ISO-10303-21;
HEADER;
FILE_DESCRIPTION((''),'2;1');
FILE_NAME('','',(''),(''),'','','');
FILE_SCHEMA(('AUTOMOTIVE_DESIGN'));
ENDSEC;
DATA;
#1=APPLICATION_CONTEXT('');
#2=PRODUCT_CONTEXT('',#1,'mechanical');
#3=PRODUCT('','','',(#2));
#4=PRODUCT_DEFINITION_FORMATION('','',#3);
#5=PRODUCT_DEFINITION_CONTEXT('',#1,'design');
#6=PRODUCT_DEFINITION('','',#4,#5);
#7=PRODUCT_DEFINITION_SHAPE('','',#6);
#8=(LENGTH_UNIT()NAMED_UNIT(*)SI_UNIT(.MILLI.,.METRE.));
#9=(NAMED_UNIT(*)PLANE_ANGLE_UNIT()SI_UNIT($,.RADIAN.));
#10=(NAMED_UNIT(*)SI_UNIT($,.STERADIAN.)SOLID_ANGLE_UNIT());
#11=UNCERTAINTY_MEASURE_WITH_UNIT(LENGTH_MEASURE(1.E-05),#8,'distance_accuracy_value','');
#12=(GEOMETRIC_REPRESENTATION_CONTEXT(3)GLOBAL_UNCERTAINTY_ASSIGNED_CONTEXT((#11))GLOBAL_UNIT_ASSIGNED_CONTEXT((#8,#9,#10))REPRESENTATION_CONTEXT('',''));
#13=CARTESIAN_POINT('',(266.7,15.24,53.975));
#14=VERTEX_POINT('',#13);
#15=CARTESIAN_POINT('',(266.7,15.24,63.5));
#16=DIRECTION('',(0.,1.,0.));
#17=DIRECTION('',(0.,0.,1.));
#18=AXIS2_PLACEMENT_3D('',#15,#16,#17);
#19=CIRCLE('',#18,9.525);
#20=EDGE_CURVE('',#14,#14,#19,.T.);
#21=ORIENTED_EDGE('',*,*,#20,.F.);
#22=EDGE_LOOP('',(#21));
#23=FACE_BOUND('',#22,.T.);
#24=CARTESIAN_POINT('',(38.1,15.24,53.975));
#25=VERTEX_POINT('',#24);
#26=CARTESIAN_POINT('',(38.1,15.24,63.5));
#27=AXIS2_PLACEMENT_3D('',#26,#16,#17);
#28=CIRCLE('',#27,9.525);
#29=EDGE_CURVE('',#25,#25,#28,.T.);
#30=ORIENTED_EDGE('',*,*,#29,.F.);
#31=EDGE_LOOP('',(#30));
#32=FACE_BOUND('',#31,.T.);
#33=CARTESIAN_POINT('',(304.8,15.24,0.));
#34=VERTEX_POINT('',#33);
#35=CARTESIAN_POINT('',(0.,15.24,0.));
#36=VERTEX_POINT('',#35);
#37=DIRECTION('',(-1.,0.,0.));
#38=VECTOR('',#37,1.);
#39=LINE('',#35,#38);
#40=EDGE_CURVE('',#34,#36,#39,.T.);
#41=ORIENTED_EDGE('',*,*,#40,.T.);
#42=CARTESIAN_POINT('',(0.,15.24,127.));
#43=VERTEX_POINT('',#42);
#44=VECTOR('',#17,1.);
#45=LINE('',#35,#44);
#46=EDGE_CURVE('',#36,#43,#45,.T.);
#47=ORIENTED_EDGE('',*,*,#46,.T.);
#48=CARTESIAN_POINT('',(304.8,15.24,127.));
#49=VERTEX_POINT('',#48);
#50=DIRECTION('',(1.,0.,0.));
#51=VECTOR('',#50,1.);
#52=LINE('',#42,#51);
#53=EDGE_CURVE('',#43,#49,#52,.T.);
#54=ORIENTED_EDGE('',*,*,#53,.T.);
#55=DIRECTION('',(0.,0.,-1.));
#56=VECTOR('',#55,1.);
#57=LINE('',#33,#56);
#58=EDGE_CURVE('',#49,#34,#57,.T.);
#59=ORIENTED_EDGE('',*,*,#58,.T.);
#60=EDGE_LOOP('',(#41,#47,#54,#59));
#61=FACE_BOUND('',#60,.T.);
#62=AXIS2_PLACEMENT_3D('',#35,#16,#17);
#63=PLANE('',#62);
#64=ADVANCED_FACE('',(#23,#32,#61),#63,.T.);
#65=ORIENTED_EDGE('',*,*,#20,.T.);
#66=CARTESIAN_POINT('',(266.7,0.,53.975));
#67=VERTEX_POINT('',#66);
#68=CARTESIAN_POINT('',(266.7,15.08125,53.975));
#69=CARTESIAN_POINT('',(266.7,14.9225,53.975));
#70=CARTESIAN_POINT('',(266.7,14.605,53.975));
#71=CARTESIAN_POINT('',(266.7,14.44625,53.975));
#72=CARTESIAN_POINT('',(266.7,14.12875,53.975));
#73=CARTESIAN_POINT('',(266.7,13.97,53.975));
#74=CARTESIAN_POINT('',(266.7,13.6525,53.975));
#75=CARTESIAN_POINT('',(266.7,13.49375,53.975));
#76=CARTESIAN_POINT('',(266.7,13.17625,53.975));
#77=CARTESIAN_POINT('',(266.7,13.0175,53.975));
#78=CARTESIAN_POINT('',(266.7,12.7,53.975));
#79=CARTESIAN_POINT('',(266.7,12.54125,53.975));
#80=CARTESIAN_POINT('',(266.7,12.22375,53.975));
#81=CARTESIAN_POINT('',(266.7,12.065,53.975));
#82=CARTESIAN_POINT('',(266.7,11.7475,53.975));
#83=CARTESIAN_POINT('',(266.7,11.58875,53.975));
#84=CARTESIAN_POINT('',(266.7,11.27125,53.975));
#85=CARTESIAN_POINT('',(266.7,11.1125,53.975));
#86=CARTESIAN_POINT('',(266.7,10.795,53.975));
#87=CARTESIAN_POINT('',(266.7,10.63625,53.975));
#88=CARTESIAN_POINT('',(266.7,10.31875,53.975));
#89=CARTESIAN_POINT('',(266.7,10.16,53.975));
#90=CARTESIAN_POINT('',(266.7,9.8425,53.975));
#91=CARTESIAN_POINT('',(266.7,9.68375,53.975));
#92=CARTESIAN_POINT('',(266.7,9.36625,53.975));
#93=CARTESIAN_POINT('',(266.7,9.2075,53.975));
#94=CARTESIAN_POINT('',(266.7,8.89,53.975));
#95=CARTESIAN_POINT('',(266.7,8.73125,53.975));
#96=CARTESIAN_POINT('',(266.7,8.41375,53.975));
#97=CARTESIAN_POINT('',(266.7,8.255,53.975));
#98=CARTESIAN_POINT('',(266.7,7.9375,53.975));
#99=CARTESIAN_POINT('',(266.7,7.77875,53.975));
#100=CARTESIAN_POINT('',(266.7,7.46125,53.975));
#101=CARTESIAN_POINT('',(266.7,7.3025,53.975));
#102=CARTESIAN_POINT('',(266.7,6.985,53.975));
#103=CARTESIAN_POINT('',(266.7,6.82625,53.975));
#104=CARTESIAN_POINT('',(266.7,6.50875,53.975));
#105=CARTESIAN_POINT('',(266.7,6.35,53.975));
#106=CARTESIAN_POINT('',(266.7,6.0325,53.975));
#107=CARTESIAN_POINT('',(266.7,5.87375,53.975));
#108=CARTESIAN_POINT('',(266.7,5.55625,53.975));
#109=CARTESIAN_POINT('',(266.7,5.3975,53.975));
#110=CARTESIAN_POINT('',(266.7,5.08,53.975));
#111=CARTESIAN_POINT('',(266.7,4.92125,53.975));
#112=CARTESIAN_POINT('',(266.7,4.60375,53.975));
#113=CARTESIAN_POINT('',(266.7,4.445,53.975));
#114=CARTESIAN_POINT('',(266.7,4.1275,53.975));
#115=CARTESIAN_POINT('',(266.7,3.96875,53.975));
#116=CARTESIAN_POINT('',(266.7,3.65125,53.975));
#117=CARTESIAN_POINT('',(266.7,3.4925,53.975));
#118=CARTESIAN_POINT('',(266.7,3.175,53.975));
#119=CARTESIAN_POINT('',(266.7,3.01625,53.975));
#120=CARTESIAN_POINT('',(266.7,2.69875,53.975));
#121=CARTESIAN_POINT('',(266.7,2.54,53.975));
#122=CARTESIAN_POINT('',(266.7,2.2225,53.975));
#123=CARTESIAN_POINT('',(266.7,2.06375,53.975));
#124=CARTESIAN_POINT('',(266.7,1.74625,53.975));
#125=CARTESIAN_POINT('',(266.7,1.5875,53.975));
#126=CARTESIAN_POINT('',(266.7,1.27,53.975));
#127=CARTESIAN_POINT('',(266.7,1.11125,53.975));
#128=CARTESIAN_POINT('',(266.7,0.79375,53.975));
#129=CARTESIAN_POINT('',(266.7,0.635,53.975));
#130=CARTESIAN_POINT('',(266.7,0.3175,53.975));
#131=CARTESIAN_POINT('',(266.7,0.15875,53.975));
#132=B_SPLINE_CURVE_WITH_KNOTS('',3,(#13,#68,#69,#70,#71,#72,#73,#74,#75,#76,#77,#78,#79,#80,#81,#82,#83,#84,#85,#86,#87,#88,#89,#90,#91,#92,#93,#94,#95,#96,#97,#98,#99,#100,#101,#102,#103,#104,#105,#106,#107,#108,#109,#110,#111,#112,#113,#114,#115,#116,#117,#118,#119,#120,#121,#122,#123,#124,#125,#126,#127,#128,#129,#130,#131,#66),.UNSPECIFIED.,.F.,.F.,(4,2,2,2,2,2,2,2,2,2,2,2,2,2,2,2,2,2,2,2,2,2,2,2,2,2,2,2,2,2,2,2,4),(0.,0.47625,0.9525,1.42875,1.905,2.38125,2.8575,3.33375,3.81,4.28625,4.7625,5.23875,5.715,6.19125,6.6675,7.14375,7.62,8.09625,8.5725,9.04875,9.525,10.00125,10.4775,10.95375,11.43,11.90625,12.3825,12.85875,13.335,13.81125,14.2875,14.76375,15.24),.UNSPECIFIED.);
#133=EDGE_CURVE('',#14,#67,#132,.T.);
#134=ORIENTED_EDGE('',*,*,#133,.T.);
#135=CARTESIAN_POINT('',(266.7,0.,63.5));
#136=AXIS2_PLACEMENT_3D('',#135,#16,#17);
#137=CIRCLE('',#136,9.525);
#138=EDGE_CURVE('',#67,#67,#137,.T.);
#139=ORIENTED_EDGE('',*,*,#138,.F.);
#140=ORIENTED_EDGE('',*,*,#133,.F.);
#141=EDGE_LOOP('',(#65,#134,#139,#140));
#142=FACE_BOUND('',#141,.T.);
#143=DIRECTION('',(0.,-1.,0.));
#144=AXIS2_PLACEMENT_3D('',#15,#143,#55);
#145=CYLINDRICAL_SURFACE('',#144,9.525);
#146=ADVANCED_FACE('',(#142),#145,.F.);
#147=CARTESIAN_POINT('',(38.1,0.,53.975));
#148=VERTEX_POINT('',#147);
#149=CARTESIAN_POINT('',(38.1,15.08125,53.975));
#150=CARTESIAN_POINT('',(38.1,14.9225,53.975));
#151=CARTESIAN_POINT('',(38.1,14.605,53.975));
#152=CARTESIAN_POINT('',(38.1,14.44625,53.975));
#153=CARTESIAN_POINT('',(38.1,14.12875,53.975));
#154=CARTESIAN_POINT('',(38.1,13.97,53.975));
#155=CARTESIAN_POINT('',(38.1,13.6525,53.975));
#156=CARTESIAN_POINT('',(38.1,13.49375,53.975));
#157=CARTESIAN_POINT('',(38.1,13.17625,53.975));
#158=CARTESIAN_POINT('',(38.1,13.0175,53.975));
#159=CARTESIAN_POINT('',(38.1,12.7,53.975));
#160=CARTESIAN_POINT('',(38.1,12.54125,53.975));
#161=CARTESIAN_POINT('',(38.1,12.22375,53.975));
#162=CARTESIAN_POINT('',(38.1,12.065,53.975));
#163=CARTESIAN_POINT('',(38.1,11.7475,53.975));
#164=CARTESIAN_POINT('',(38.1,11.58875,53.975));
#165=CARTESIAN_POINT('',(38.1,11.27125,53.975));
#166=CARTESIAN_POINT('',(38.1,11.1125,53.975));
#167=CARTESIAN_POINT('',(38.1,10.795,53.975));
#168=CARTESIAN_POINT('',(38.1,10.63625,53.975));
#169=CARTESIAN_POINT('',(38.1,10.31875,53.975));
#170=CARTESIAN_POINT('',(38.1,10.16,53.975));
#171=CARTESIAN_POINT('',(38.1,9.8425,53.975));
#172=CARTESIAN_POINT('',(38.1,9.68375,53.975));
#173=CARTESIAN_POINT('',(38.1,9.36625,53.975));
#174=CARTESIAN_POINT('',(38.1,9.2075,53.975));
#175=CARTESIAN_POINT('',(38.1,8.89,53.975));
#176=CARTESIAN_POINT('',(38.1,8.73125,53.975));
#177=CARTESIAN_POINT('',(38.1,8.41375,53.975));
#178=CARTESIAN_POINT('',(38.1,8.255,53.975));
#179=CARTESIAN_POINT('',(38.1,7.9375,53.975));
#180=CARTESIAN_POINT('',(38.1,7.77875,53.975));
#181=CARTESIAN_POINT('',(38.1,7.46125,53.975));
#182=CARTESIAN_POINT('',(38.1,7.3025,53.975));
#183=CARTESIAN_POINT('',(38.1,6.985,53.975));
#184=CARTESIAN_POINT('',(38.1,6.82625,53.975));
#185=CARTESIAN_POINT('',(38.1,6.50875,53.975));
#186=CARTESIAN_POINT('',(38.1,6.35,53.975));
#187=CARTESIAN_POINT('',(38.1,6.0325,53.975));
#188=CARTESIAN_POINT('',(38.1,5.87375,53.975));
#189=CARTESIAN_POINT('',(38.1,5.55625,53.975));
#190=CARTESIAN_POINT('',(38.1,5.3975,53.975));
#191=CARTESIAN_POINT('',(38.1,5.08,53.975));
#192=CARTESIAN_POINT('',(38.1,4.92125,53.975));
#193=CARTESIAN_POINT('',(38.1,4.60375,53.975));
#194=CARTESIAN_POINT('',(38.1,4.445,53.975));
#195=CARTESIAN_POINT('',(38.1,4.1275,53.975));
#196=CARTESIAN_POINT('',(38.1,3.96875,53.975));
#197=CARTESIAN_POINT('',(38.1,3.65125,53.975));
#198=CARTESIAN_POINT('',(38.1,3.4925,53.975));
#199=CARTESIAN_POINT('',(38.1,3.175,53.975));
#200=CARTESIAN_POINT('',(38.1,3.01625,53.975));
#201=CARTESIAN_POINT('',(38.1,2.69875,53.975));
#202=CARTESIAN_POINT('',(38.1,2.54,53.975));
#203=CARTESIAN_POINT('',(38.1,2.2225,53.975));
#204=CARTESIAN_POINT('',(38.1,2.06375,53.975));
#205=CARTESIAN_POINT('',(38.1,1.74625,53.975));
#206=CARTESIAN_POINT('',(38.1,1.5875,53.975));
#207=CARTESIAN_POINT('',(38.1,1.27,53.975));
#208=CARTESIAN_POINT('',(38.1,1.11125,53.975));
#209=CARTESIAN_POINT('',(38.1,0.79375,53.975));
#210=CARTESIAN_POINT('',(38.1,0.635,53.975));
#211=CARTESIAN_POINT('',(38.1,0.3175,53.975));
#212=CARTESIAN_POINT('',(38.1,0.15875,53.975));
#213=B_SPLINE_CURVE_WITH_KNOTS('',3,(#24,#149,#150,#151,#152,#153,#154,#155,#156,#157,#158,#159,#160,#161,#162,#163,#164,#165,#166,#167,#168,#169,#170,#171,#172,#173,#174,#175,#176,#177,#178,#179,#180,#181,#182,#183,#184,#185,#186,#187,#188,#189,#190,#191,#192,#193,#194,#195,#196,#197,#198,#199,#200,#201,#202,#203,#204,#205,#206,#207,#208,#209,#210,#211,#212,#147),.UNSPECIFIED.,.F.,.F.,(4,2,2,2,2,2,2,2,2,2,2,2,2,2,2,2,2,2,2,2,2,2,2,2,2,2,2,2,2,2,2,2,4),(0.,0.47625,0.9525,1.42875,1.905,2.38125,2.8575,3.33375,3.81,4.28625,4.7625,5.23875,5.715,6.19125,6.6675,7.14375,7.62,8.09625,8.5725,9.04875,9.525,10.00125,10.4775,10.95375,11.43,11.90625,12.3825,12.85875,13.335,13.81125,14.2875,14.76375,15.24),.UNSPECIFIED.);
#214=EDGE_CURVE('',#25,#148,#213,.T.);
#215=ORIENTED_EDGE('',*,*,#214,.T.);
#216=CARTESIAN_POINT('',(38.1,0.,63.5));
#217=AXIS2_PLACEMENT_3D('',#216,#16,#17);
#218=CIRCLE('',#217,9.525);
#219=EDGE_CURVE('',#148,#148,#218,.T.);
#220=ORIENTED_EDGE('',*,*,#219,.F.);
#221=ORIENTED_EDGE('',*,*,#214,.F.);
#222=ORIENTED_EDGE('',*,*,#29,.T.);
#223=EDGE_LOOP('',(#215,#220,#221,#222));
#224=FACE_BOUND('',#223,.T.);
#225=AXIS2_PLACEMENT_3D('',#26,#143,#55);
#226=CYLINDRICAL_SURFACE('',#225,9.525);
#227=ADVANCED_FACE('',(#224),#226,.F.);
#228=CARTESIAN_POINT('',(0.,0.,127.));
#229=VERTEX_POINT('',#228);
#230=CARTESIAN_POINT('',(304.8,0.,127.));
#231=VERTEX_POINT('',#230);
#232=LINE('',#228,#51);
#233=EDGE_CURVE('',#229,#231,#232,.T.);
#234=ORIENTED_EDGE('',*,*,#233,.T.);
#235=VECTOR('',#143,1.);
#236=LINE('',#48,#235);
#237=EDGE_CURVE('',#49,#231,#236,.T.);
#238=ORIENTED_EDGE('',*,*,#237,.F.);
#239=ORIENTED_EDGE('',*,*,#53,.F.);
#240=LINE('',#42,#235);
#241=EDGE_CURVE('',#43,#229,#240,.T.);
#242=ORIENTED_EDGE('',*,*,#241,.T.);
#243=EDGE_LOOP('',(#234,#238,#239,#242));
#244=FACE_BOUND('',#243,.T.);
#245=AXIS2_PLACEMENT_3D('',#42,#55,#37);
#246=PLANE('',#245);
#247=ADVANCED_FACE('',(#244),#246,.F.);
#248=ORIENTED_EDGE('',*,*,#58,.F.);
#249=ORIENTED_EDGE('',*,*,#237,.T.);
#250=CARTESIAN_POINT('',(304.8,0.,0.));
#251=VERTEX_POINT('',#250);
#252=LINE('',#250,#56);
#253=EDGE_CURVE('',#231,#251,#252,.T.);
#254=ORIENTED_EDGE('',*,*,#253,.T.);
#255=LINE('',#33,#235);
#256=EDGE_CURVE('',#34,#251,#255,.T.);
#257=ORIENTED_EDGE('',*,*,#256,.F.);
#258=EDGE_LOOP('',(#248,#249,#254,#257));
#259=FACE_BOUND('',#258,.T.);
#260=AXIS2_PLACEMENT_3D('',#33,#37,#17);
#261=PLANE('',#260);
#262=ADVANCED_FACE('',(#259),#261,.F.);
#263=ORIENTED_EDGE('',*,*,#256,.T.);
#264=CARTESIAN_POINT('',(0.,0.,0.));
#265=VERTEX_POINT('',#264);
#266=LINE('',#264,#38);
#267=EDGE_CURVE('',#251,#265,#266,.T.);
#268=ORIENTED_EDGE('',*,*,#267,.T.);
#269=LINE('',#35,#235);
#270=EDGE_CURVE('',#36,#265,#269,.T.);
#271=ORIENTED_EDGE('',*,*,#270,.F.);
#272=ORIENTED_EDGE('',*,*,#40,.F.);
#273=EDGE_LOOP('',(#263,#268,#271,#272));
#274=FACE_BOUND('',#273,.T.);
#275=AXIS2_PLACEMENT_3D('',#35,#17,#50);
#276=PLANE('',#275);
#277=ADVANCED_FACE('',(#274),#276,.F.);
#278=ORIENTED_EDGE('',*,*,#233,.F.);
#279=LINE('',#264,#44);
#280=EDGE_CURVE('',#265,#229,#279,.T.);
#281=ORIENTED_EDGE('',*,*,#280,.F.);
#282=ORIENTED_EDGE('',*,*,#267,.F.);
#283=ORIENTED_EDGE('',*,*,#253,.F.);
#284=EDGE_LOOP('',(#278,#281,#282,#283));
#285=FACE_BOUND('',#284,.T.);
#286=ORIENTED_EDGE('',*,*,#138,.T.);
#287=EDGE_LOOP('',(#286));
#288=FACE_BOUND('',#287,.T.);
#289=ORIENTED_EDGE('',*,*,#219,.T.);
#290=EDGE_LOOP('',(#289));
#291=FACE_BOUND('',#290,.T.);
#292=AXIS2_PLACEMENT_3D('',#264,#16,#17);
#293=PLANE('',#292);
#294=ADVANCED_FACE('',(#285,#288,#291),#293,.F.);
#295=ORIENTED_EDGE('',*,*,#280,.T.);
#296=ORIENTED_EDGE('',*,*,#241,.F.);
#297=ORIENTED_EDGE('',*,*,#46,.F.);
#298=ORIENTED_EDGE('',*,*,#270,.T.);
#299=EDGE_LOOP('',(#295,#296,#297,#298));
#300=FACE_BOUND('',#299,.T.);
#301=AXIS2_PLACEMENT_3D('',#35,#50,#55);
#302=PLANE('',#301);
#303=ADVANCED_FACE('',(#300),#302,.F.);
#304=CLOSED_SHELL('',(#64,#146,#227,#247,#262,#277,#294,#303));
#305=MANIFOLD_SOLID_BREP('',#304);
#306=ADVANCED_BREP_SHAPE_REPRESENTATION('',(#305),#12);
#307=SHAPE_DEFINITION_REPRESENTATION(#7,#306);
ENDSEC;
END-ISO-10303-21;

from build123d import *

# Parameters (mm, degrees)
SKETCH2_W           = 304.8
SKETCH2_H           = 127
SKETCH2_R           = 9.525
BOSS_EXTRUDE1_DEPTH = 15.24


with BuildPart() as part:
    # Sketch2 → Boss-Extrude1 (new body)
    with BuildSketch(Plane(origin=(0, 0, 0), x_dir=(1, 0, 0), z_dir=(0, 1, 0))):
        with Locations((152.4, -63.5)):
            Rectangle(SKETCH2_W, SKETCH2_H)
        with Locations(Location((38.1, -63.5, 0), (0, 0, 90))):
            Circle(SKETCH2_R, mode=Mode.SUBTRACT)
        with Locations(Location((266.7, -63.5, 0), (0, 0, 90))):
            Circle(SKETCH2_R, mode=Mode.SUBTRACT)
    extrude(amount=BOSS_EXTRUDE1_DEPTH)


solid = part.part
